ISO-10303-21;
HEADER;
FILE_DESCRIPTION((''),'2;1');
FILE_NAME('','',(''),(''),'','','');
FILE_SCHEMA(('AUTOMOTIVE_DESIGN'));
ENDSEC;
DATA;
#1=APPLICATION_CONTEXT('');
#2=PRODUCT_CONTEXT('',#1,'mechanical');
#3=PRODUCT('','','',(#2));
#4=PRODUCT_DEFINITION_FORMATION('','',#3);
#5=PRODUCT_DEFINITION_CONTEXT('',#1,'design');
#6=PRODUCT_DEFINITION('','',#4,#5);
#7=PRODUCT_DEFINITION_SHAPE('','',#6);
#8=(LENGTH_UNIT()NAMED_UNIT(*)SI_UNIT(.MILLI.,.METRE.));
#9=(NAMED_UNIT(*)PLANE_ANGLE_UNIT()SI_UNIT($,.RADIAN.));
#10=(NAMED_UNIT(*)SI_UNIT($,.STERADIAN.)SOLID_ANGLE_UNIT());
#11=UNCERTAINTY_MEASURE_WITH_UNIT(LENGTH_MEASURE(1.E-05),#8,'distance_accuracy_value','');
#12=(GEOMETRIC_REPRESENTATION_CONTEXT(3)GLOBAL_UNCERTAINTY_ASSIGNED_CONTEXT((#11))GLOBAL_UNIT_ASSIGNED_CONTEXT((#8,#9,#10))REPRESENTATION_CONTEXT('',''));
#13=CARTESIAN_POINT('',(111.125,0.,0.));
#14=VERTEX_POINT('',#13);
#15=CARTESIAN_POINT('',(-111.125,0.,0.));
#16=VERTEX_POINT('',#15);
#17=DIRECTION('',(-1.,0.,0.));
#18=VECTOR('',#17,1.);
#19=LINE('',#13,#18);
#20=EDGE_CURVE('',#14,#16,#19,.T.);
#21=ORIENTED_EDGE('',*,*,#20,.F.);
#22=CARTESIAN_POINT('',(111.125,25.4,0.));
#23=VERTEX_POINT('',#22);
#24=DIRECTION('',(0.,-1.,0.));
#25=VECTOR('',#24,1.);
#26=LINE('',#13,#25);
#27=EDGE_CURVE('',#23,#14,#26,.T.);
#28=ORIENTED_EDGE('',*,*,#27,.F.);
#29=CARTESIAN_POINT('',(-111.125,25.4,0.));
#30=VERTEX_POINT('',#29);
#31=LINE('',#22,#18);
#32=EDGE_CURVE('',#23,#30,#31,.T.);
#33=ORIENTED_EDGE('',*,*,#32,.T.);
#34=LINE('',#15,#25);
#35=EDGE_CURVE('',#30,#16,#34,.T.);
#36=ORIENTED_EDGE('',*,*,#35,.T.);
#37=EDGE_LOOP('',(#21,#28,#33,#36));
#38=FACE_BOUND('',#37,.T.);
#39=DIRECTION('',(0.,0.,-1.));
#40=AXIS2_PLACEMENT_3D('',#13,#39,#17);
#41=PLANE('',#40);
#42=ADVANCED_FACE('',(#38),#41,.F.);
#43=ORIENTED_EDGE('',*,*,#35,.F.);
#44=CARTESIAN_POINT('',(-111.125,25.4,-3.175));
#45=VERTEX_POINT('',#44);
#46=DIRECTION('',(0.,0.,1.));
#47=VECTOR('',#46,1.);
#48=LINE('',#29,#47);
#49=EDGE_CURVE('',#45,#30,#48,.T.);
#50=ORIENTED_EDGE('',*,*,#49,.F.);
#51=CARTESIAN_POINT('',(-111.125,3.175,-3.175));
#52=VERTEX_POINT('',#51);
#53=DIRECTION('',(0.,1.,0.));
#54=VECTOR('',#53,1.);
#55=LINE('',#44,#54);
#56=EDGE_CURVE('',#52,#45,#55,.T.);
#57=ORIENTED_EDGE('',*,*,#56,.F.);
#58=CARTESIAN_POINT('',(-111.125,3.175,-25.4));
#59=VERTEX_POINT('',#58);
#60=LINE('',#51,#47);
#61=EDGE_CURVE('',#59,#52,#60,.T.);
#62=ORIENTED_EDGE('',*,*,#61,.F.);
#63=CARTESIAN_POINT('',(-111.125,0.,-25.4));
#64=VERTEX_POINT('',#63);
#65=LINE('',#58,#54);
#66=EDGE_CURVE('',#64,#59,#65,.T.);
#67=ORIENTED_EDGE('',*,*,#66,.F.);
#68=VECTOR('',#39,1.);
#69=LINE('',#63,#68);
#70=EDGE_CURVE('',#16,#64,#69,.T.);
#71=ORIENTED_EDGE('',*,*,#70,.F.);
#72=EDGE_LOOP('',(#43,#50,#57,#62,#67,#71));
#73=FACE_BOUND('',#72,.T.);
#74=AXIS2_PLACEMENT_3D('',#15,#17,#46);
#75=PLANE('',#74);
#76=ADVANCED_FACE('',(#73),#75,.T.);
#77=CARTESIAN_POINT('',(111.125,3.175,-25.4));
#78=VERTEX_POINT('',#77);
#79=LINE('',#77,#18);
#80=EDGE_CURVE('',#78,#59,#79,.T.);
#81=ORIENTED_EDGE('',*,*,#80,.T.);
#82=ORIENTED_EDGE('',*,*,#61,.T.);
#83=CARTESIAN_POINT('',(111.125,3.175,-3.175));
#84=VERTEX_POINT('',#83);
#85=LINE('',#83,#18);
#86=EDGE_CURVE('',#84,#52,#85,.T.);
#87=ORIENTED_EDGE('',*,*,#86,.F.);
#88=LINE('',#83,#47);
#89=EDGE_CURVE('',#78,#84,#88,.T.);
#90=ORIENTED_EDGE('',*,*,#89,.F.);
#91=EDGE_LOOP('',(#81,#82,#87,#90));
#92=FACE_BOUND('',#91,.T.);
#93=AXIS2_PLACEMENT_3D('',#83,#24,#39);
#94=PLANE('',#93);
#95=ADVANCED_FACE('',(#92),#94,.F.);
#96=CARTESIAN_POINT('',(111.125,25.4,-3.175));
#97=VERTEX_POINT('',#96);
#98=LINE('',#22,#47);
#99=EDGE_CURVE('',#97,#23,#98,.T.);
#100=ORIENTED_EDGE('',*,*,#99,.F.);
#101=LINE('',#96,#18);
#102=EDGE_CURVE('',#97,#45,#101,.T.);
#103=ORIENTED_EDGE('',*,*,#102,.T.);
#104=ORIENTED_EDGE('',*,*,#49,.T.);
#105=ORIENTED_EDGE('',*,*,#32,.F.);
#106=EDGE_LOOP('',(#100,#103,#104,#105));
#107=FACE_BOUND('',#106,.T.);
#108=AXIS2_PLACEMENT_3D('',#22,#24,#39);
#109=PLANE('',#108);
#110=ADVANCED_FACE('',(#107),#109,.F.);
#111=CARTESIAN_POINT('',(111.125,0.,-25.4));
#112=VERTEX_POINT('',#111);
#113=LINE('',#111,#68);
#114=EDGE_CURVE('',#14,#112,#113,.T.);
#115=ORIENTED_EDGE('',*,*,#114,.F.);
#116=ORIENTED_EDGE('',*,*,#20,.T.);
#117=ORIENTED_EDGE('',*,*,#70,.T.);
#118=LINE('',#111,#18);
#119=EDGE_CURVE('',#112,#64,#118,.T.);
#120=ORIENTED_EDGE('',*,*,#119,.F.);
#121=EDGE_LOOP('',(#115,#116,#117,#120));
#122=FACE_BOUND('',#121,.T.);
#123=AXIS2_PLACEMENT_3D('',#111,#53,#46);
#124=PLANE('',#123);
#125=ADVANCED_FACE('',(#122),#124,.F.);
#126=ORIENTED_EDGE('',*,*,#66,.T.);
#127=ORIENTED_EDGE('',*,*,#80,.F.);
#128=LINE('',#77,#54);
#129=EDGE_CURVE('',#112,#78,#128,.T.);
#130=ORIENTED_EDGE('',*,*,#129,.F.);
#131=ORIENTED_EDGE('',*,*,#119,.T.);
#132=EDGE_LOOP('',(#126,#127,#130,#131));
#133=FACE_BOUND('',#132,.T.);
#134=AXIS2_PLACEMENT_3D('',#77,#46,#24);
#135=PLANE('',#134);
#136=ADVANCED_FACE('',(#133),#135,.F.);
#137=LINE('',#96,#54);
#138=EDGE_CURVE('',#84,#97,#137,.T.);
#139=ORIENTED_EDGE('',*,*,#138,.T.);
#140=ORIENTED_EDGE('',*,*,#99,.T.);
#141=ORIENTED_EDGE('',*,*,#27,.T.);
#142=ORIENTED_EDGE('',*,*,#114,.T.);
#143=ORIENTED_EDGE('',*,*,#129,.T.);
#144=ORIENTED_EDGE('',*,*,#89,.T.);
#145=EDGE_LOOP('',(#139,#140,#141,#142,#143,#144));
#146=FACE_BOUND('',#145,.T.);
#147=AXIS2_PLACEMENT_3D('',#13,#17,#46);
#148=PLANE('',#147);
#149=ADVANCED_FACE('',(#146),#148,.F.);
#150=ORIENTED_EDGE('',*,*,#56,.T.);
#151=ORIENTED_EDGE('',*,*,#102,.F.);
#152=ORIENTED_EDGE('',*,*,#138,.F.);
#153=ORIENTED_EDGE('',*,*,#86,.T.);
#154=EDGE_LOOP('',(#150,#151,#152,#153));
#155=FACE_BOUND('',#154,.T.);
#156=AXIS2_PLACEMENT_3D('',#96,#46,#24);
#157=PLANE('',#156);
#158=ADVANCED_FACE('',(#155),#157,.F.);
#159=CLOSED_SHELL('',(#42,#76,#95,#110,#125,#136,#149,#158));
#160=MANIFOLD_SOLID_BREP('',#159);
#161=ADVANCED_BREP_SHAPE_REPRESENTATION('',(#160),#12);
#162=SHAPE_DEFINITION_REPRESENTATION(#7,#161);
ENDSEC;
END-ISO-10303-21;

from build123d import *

# Parameters (mm, degrees)
BOSS_EXTRUDE1_DEPTH = 111.125


with BuildPart() as part:
    # Sketch1 → Boss-Extrude1 (new body, symmetric)
    with BuildSketch(Plane(origin=(0, 0, 0), x_dir=(0, 0, -1), z_dir=(1, 0, 0))):
        Polygon((0, 0), (0, 25.4), (3.175, 25.4), (3.175, 3.175), (25.4, 3.175), (25.4, 0), align=None)
    extrude(amount=BOSS_EXTRUDE1_DEPTH, both=True)


solid = part.part
